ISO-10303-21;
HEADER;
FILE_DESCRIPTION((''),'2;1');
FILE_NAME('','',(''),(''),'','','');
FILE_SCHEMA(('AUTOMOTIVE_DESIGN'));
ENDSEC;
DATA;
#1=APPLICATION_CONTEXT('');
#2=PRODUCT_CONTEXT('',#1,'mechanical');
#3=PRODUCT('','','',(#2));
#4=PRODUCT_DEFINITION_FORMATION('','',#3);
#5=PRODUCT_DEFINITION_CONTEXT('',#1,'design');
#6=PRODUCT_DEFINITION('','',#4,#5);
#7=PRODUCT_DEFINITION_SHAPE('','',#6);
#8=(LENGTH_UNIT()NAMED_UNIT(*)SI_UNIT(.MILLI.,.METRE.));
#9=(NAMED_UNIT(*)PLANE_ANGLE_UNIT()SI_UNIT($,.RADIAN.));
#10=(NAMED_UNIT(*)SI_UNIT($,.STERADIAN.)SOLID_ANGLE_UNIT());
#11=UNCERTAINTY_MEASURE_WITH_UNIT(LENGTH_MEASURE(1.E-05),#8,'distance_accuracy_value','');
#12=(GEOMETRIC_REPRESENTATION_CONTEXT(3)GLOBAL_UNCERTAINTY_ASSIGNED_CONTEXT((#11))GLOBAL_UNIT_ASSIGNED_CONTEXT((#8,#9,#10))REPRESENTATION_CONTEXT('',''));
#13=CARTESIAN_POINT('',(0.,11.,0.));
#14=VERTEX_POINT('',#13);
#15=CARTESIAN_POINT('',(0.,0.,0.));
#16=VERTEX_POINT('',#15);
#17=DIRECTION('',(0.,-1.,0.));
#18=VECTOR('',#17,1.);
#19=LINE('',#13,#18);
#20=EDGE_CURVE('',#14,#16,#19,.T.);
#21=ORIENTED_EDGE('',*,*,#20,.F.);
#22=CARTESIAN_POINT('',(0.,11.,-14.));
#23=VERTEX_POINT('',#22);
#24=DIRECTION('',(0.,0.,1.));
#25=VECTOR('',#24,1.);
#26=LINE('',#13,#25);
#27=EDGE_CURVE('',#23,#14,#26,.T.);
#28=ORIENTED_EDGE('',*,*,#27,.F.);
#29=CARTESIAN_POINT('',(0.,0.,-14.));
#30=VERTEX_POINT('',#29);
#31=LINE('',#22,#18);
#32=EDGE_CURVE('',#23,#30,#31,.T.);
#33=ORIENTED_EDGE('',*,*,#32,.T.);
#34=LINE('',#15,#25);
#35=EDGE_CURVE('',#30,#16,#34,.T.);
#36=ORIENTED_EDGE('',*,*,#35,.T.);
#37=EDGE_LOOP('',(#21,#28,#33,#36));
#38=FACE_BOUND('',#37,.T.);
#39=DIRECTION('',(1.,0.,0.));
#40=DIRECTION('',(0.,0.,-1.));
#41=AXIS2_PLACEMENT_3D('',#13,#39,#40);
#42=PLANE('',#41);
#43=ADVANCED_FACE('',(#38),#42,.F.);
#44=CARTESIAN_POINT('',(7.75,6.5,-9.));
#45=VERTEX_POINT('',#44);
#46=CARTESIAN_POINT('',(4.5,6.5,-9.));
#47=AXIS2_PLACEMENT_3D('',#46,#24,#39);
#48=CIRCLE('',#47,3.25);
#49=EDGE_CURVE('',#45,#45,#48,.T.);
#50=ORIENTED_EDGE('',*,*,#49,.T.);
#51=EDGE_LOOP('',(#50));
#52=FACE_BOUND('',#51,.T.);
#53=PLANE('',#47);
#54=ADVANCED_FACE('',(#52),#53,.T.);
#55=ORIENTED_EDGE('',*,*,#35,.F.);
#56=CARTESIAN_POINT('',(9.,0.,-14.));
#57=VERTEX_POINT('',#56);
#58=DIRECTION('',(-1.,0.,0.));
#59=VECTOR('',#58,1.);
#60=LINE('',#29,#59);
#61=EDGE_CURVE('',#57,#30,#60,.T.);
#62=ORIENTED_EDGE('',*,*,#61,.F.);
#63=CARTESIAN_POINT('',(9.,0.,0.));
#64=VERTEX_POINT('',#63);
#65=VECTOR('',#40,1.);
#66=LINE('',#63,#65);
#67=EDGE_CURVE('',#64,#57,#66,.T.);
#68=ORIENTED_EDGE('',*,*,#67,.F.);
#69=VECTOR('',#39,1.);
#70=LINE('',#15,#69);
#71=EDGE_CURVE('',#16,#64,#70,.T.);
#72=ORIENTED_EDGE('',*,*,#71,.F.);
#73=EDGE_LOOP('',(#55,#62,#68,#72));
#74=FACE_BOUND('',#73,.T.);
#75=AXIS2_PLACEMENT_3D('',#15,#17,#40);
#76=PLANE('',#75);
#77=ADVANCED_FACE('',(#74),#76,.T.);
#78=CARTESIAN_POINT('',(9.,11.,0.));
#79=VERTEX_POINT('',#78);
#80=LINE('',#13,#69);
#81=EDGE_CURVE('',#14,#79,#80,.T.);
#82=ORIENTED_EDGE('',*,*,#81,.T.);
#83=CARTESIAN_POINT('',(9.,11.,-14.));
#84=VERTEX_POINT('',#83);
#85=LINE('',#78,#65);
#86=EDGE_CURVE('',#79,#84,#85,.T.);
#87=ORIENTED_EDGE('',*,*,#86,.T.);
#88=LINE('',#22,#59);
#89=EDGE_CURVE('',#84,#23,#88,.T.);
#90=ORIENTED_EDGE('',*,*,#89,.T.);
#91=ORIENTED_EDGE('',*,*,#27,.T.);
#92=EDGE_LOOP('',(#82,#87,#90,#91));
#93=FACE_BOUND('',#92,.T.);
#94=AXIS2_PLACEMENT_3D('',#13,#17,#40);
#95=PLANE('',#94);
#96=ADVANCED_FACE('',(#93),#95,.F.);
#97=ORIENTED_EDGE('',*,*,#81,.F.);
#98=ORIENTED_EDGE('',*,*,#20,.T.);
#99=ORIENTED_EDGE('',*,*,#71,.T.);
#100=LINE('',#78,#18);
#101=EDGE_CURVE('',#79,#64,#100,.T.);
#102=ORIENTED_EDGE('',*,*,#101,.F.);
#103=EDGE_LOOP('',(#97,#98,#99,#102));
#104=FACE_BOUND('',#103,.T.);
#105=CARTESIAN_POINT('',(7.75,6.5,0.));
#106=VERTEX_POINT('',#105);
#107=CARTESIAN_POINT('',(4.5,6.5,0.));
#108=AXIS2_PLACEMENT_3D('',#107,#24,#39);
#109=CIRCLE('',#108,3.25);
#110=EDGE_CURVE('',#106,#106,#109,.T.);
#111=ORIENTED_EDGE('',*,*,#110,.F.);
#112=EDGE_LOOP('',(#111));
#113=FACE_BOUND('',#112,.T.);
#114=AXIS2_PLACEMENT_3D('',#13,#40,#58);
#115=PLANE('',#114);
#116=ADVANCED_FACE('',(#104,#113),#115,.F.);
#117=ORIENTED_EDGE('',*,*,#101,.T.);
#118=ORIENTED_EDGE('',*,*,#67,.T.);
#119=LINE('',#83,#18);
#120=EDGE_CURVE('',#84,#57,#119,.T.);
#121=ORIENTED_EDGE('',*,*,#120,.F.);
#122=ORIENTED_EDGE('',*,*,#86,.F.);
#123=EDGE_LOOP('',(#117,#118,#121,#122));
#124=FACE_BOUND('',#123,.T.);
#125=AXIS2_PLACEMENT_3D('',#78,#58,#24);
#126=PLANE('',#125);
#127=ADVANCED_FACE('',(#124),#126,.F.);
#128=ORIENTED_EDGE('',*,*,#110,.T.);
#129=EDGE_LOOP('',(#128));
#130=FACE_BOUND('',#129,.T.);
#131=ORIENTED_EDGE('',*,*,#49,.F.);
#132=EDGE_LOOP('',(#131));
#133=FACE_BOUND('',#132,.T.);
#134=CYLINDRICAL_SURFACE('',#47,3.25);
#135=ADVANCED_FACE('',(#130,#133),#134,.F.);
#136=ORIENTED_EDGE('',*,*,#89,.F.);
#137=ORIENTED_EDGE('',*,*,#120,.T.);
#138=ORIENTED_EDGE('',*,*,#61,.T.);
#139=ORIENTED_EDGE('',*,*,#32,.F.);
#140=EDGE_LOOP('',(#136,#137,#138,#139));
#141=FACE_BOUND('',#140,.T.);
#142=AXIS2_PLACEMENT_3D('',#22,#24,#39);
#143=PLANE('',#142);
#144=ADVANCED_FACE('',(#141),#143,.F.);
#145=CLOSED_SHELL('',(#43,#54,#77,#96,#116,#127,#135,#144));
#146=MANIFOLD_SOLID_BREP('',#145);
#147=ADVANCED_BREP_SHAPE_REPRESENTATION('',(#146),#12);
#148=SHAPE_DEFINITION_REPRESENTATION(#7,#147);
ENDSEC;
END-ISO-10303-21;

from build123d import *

# Parameters (mm, degrees)
SKETCH1_W           = 9
SKETCH1_H           = 14
BOSS_EXTRUDE1_DEPTH = 11
SKETCH2_R           = 3.25
CUT_EXTRUDE1_DEPTH  = 9


with BuildPart() as part:
    # Sketch1 → Boss-Extrude1 (new body)
    with BuildSketch(Plane(origin=(0, 0, 0), x_dir=(1, 0, 0), z_dir=(0, 1, 0))):
        with Locations((4.5, 7)):
            Rectangle(SKETCH1_W, SKETCH1_H)
    extrude(amount=BOSS_EXTRUDE1_DEPTH)

    # Sketch2 → Cut-Extrude1 (cut)
    with BuildSketch(Plane.XY):
        with Locations((4.5, 6.5)):
            Circle(SKETCH2_R)
    extrude(amount=-CUT_EXTRUDE1_DEPTH, mode=Mode.SUBTRACT)


solid = part.part
